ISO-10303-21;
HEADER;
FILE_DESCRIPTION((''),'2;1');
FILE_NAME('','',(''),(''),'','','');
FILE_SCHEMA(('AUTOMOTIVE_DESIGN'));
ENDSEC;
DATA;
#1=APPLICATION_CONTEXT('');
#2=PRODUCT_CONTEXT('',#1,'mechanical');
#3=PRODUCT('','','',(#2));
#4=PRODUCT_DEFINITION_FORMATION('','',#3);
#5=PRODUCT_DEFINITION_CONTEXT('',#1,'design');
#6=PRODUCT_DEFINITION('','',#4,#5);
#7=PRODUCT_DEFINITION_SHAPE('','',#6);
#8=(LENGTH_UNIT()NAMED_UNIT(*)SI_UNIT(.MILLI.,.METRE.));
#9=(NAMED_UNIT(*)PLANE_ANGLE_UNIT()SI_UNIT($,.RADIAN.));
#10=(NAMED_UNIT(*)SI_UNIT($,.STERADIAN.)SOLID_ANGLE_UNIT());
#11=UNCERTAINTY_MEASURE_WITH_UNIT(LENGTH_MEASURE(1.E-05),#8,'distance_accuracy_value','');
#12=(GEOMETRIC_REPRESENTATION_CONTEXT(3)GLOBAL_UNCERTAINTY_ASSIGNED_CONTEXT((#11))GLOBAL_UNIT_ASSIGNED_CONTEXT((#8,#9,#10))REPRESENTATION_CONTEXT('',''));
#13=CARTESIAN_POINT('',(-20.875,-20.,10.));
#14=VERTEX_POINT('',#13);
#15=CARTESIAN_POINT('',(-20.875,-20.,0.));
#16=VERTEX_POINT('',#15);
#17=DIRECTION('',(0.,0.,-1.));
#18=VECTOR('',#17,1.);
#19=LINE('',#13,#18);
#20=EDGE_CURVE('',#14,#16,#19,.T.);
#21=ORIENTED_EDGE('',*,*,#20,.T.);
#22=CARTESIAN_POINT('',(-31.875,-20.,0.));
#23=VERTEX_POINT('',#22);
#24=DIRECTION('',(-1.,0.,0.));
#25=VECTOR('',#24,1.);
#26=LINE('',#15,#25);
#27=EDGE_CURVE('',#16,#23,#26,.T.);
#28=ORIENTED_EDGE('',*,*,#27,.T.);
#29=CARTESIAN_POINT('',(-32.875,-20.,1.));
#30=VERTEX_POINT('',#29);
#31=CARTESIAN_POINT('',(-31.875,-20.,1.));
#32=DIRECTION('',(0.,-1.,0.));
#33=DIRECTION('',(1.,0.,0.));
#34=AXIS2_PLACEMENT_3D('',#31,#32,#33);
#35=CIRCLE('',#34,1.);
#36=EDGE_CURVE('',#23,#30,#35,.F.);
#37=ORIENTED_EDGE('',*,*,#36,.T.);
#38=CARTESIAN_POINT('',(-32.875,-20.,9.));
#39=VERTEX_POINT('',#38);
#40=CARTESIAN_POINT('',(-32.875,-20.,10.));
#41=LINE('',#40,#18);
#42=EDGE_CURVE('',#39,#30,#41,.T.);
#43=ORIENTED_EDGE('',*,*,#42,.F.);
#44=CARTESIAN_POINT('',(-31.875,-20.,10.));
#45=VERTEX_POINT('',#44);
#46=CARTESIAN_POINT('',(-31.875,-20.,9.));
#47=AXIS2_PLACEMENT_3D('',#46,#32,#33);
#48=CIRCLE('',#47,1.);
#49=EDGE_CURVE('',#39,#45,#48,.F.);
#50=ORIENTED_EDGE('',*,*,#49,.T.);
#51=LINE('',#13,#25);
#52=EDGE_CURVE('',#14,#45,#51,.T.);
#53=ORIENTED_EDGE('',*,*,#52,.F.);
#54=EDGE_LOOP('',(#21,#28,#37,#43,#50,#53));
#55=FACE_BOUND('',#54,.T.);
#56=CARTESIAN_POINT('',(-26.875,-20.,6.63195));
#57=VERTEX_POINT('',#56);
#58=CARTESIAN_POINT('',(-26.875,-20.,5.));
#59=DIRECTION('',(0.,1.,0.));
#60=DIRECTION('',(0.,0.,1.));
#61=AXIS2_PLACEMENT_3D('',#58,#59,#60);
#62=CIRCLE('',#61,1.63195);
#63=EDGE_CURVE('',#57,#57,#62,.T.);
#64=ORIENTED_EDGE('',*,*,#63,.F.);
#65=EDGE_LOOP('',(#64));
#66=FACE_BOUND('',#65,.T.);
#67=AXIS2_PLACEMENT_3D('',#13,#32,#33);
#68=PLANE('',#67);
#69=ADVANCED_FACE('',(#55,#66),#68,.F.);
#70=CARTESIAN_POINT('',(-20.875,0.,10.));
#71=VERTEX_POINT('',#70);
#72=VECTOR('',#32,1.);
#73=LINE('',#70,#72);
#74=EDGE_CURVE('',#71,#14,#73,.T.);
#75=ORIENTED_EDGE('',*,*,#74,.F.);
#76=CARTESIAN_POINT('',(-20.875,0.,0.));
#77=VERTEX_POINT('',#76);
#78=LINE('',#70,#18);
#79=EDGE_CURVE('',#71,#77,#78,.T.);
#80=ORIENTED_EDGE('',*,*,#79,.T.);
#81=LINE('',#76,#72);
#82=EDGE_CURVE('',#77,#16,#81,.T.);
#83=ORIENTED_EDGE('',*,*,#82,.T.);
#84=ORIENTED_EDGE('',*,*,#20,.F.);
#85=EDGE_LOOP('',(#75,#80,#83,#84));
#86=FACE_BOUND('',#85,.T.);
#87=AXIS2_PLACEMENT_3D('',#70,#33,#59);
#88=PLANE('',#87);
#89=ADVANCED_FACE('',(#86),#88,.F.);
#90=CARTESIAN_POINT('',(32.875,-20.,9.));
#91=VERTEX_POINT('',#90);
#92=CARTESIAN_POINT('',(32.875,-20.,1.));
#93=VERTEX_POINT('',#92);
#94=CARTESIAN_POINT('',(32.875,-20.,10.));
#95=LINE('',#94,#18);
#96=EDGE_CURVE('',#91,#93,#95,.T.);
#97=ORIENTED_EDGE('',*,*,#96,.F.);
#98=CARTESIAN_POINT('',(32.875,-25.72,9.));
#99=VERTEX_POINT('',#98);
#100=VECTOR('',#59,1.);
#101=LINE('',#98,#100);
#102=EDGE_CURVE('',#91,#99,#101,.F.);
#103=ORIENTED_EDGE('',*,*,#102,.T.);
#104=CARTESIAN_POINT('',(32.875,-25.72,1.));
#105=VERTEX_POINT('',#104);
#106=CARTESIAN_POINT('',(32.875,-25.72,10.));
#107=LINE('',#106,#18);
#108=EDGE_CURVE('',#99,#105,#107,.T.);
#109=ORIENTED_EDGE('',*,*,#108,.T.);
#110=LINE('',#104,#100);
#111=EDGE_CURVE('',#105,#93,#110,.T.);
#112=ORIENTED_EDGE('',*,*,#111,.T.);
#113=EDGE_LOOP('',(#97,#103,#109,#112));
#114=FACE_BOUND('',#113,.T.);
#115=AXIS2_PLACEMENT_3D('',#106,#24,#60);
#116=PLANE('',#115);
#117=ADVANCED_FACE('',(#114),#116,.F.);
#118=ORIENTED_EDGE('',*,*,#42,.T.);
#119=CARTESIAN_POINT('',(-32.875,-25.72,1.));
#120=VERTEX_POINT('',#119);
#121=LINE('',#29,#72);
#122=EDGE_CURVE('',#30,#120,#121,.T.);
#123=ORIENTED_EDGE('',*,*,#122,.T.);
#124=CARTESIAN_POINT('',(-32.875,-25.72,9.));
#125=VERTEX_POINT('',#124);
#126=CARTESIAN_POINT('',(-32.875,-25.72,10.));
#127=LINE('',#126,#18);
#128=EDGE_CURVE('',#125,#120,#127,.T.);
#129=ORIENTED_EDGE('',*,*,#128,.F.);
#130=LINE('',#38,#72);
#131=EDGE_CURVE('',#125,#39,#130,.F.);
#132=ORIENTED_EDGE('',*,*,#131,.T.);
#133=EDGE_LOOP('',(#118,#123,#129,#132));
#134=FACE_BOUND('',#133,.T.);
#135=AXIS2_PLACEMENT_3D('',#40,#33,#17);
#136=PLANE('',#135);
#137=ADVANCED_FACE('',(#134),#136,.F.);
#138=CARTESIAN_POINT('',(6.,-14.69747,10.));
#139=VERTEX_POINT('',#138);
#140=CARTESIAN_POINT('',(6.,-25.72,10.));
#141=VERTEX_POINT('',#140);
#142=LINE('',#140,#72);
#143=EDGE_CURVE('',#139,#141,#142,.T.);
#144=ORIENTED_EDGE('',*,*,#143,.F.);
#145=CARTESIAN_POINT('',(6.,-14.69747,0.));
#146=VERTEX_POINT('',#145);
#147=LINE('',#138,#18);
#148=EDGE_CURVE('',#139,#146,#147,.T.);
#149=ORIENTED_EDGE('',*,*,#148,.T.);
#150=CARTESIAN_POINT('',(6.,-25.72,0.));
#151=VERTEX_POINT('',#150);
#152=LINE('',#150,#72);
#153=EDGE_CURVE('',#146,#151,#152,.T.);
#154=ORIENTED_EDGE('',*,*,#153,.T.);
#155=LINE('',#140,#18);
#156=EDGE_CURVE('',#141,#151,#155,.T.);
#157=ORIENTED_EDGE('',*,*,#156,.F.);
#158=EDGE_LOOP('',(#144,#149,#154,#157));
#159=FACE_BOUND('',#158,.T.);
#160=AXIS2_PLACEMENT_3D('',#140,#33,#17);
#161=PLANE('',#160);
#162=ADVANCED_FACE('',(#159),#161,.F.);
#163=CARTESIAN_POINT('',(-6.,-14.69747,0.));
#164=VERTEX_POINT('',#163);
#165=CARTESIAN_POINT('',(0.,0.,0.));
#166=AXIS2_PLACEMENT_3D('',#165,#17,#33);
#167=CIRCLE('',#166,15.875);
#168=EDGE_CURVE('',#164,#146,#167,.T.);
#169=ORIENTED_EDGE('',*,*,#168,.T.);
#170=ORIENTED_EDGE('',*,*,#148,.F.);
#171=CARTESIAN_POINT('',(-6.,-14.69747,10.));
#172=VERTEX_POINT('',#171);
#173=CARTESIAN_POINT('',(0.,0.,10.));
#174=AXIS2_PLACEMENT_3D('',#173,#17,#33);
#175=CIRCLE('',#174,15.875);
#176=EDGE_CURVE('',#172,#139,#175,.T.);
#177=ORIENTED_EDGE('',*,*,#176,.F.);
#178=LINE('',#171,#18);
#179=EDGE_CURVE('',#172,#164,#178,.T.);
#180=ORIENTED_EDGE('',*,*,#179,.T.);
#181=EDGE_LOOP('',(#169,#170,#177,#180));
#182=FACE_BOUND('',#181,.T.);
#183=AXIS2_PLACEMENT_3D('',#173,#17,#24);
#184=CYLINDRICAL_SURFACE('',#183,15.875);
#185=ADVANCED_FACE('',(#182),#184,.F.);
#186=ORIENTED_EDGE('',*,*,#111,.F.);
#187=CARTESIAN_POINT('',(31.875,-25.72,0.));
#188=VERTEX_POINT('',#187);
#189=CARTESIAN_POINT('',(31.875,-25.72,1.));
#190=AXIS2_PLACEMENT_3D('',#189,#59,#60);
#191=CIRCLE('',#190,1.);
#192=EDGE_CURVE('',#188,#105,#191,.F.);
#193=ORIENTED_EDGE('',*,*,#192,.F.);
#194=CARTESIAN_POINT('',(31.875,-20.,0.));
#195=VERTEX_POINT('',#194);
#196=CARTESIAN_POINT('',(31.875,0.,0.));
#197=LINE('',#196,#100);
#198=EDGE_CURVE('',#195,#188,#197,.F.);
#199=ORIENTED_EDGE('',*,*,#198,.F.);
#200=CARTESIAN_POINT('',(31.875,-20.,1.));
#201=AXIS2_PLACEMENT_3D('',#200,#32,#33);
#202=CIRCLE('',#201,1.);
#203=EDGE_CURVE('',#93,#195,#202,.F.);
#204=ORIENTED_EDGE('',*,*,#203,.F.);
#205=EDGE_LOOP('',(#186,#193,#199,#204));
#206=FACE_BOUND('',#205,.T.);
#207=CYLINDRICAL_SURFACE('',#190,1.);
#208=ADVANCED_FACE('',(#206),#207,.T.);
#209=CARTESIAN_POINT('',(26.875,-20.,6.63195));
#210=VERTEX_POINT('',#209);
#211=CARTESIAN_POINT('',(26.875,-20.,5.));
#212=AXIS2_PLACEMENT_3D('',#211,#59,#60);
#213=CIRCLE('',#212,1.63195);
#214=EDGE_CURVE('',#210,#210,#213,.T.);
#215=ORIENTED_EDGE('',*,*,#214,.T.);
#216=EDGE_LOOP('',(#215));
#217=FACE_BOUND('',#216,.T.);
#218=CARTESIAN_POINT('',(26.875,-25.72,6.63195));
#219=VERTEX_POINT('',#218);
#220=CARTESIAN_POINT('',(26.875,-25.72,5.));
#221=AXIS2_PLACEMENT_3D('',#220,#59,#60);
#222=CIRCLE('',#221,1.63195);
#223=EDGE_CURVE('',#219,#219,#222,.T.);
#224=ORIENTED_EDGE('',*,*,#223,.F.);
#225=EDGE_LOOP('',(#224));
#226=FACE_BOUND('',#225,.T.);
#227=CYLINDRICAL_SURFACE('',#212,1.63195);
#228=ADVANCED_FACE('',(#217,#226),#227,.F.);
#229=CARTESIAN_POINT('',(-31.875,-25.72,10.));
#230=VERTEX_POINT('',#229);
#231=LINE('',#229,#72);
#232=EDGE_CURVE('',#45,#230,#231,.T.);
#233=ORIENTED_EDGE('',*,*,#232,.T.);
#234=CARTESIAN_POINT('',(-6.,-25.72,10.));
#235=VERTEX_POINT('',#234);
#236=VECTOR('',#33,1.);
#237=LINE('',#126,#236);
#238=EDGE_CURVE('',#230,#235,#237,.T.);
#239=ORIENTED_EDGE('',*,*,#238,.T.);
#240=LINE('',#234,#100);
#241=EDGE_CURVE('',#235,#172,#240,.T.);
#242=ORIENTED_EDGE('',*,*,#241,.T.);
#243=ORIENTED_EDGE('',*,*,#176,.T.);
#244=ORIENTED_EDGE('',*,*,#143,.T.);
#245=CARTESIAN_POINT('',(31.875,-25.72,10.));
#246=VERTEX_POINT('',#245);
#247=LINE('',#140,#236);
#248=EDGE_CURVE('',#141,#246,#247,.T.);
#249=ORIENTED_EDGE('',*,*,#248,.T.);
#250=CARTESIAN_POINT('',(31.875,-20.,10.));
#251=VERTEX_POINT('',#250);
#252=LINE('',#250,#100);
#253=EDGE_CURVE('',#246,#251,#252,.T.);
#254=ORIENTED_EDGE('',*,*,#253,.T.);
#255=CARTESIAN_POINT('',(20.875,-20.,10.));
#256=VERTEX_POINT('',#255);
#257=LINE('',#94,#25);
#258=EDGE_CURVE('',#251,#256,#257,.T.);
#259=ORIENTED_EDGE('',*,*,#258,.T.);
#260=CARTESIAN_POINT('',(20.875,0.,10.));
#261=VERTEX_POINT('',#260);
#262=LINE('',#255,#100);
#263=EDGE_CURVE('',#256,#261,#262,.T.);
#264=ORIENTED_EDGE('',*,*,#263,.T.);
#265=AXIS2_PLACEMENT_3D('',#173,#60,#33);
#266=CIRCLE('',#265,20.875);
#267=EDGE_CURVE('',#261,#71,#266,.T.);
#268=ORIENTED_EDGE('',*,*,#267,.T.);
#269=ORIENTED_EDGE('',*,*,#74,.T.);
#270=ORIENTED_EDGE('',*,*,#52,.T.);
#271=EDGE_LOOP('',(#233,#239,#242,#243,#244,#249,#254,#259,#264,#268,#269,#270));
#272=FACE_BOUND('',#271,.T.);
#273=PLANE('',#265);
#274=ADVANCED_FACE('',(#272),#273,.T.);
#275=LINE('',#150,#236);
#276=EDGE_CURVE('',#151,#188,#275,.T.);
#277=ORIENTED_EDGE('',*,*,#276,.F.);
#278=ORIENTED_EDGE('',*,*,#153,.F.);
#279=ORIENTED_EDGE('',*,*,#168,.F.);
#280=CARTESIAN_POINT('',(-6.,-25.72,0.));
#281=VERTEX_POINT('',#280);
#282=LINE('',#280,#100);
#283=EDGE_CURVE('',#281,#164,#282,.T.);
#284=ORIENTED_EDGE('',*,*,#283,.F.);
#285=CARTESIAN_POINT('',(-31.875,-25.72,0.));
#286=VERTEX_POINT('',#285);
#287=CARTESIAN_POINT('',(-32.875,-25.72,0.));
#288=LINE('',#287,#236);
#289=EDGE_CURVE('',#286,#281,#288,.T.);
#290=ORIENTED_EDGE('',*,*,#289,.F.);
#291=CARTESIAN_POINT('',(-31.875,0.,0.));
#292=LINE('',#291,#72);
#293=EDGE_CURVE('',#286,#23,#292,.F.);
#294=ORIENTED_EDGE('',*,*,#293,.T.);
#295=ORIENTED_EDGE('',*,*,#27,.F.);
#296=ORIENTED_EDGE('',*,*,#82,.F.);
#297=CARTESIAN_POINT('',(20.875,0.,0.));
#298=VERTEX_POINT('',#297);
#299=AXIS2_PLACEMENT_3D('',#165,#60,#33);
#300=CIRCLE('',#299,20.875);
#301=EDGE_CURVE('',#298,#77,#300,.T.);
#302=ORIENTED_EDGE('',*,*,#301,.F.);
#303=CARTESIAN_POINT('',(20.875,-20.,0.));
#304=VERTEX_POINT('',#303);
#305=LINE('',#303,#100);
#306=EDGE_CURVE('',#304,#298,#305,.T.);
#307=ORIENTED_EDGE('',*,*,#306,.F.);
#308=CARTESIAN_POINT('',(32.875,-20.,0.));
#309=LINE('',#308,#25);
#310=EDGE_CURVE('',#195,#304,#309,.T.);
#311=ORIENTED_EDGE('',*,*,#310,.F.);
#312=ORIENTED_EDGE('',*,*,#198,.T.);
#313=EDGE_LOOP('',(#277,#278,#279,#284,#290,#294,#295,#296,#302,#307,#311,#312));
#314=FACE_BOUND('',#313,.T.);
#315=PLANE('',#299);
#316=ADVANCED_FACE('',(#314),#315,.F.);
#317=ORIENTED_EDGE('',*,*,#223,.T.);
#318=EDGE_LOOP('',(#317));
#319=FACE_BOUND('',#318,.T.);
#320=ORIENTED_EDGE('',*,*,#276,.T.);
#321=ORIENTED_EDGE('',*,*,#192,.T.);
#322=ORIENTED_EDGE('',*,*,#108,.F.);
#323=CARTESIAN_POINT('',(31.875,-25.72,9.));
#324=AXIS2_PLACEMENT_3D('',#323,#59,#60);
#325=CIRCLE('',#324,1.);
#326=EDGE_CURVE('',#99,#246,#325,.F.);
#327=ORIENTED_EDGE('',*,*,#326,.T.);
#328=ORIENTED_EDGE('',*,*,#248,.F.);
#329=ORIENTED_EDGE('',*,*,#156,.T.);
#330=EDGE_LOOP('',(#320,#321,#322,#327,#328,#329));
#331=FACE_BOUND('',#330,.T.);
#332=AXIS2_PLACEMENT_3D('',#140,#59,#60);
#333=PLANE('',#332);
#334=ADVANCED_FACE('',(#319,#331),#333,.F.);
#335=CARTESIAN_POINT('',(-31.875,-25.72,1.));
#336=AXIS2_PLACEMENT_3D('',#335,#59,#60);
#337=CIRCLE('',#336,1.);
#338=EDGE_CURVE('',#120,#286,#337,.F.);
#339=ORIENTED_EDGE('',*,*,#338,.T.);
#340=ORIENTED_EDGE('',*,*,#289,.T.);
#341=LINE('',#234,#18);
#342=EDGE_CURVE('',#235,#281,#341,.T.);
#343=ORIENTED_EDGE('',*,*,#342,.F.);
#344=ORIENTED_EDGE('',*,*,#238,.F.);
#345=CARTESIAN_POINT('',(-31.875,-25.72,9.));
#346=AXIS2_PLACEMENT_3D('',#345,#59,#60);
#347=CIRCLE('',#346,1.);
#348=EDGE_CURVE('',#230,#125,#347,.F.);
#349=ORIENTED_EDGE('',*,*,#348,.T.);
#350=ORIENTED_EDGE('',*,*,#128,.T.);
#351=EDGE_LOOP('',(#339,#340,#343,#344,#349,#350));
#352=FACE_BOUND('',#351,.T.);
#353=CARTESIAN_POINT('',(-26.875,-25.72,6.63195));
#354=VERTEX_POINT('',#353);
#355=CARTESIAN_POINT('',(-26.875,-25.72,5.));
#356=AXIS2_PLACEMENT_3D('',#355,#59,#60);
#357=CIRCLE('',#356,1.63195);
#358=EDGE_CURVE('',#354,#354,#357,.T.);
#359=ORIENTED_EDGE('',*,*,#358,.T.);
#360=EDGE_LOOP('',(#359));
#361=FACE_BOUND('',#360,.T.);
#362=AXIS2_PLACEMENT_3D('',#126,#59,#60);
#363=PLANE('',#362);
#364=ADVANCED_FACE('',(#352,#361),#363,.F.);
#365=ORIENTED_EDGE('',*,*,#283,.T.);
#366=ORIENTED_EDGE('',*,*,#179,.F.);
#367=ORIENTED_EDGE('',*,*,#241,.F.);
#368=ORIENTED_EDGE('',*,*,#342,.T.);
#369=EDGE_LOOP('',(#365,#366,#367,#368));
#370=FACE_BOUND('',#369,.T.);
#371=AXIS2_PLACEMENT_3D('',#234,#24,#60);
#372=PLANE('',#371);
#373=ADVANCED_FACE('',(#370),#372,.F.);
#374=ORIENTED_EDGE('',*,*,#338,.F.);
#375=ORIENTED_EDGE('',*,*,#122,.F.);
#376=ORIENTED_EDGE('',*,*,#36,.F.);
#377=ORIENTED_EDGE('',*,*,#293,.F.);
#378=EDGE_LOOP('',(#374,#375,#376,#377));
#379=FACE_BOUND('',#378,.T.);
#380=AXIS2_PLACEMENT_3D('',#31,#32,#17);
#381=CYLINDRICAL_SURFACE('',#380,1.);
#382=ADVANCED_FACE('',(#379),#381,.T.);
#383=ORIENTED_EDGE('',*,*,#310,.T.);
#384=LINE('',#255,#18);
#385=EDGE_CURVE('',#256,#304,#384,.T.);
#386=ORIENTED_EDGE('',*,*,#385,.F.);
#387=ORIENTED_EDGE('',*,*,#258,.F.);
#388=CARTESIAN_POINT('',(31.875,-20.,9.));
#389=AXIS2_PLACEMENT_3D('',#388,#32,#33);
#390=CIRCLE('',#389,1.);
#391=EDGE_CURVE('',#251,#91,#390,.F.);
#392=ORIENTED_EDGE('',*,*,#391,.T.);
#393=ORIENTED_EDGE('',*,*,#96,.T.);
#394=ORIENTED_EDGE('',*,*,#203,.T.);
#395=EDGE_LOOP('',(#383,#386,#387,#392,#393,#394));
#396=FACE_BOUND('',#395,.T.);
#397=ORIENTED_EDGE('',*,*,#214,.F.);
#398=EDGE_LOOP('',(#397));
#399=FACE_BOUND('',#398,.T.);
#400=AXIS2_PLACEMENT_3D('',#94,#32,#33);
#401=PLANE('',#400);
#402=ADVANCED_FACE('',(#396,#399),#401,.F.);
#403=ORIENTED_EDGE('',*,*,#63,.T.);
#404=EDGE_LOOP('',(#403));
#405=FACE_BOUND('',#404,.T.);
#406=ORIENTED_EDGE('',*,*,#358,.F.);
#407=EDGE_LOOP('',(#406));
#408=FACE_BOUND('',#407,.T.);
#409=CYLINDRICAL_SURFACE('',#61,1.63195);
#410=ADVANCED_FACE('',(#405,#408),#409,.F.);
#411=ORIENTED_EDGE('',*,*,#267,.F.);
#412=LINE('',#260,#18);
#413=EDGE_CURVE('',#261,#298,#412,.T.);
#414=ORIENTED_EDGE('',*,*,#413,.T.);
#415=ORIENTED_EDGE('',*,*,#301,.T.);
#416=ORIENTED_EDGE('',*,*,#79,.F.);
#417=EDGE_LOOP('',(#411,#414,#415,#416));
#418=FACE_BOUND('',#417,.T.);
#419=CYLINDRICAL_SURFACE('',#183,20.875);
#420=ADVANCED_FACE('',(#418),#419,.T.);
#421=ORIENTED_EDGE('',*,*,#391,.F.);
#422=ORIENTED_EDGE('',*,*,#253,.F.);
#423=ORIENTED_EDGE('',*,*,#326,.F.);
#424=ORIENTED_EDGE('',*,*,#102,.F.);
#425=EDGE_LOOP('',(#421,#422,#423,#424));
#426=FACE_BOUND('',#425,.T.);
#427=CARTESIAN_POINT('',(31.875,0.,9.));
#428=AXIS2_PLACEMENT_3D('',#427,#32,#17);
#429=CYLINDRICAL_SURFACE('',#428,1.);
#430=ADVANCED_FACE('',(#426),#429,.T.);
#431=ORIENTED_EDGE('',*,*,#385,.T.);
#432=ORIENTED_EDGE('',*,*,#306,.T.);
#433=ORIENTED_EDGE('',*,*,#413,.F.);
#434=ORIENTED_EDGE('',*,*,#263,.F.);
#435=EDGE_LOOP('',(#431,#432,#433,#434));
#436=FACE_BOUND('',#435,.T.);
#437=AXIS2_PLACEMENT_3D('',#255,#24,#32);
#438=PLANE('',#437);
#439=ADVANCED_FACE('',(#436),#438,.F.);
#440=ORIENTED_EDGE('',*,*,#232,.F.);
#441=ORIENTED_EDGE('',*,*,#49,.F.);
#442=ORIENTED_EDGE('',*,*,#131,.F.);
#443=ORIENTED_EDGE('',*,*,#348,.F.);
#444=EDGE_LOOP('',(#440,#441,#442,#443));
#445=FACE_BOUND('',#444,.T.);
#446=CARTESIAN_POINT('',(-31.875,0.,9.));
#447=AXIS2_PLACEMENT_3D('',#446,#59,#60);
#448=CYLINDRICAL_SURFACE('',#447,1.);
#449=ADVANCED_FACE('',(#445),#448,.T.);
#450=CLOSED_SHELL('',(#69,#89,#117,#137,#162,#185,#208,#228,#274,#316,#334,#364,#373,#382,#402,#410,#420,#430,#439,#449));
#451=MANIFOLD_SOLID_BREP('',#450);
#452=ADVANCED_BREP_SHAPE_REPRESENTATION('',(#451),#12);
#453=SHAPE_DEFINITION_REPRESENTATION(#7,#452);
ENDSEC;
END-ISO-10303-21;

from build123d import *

# Parameters (mm, degrees)
BOSS_EXTRUDE1_DEPTH   = 10
FILLET1_R             = 1
F_4_CLEARANCE_HOLE1_D = 3.2639


with BuildPart() as part:
    # Sketch1 → Boss-Extrude1 (new body)
    with BuildSketch(Plane.XY):
        with BuildLine():
            Line((-20.875, 0), (-20.875, -20))
            Line((-20.875, -20), (-32.875, -20))
            Line((-32.875, -20), (-32.875, -25.72))
            Line((-32.875, -25.72), (-6, -25.72))
            Line((-6, -25.72), (-6, -14.69747002))
            ThreePointArc((-6, -14.69747002), (0, 15.875), (6, -14.69747002))
            Line((6, -14.69747002), (6, -25.72))
            Line((6, -25.72), (32.875, -25.72))
            Line((32.875, -25.72), (32.875, -20))
            Line((32.875, -20), (20.875, -20))
            Line((20.875, -20), (20.875, 0))
            ThreePointArc((20.875, 0), (0, 20.875), (-20.875, 0))
        make_face()
    extrude(amount=BOSS_EXTRUDE1_DEPTH)

    # Fillet1
    fillet1_edges = [part.edges().sort_by_distance(p)[0] for p in [
        (-32.875, -22.86, 0),
        (32.875, -22.86, 0),
        (32.875, -22.86, 10),
        (-32.875, -22.86, 10),
    ]]
    fillet(fillet1_edges, radius=FILLET1_R)

    # #4 Clearance Hole1 (through all)
    with Locations(Plane(origin=(0, -20, 0), x_dir=(1, 0, 0), z_dir=(0, 1, 0))):
        with Locations((-26.875, -5), (26.875, -5)):
            Hole(F_4_CLEARANCE_HOLE1_D / 2)


solid = part.part
